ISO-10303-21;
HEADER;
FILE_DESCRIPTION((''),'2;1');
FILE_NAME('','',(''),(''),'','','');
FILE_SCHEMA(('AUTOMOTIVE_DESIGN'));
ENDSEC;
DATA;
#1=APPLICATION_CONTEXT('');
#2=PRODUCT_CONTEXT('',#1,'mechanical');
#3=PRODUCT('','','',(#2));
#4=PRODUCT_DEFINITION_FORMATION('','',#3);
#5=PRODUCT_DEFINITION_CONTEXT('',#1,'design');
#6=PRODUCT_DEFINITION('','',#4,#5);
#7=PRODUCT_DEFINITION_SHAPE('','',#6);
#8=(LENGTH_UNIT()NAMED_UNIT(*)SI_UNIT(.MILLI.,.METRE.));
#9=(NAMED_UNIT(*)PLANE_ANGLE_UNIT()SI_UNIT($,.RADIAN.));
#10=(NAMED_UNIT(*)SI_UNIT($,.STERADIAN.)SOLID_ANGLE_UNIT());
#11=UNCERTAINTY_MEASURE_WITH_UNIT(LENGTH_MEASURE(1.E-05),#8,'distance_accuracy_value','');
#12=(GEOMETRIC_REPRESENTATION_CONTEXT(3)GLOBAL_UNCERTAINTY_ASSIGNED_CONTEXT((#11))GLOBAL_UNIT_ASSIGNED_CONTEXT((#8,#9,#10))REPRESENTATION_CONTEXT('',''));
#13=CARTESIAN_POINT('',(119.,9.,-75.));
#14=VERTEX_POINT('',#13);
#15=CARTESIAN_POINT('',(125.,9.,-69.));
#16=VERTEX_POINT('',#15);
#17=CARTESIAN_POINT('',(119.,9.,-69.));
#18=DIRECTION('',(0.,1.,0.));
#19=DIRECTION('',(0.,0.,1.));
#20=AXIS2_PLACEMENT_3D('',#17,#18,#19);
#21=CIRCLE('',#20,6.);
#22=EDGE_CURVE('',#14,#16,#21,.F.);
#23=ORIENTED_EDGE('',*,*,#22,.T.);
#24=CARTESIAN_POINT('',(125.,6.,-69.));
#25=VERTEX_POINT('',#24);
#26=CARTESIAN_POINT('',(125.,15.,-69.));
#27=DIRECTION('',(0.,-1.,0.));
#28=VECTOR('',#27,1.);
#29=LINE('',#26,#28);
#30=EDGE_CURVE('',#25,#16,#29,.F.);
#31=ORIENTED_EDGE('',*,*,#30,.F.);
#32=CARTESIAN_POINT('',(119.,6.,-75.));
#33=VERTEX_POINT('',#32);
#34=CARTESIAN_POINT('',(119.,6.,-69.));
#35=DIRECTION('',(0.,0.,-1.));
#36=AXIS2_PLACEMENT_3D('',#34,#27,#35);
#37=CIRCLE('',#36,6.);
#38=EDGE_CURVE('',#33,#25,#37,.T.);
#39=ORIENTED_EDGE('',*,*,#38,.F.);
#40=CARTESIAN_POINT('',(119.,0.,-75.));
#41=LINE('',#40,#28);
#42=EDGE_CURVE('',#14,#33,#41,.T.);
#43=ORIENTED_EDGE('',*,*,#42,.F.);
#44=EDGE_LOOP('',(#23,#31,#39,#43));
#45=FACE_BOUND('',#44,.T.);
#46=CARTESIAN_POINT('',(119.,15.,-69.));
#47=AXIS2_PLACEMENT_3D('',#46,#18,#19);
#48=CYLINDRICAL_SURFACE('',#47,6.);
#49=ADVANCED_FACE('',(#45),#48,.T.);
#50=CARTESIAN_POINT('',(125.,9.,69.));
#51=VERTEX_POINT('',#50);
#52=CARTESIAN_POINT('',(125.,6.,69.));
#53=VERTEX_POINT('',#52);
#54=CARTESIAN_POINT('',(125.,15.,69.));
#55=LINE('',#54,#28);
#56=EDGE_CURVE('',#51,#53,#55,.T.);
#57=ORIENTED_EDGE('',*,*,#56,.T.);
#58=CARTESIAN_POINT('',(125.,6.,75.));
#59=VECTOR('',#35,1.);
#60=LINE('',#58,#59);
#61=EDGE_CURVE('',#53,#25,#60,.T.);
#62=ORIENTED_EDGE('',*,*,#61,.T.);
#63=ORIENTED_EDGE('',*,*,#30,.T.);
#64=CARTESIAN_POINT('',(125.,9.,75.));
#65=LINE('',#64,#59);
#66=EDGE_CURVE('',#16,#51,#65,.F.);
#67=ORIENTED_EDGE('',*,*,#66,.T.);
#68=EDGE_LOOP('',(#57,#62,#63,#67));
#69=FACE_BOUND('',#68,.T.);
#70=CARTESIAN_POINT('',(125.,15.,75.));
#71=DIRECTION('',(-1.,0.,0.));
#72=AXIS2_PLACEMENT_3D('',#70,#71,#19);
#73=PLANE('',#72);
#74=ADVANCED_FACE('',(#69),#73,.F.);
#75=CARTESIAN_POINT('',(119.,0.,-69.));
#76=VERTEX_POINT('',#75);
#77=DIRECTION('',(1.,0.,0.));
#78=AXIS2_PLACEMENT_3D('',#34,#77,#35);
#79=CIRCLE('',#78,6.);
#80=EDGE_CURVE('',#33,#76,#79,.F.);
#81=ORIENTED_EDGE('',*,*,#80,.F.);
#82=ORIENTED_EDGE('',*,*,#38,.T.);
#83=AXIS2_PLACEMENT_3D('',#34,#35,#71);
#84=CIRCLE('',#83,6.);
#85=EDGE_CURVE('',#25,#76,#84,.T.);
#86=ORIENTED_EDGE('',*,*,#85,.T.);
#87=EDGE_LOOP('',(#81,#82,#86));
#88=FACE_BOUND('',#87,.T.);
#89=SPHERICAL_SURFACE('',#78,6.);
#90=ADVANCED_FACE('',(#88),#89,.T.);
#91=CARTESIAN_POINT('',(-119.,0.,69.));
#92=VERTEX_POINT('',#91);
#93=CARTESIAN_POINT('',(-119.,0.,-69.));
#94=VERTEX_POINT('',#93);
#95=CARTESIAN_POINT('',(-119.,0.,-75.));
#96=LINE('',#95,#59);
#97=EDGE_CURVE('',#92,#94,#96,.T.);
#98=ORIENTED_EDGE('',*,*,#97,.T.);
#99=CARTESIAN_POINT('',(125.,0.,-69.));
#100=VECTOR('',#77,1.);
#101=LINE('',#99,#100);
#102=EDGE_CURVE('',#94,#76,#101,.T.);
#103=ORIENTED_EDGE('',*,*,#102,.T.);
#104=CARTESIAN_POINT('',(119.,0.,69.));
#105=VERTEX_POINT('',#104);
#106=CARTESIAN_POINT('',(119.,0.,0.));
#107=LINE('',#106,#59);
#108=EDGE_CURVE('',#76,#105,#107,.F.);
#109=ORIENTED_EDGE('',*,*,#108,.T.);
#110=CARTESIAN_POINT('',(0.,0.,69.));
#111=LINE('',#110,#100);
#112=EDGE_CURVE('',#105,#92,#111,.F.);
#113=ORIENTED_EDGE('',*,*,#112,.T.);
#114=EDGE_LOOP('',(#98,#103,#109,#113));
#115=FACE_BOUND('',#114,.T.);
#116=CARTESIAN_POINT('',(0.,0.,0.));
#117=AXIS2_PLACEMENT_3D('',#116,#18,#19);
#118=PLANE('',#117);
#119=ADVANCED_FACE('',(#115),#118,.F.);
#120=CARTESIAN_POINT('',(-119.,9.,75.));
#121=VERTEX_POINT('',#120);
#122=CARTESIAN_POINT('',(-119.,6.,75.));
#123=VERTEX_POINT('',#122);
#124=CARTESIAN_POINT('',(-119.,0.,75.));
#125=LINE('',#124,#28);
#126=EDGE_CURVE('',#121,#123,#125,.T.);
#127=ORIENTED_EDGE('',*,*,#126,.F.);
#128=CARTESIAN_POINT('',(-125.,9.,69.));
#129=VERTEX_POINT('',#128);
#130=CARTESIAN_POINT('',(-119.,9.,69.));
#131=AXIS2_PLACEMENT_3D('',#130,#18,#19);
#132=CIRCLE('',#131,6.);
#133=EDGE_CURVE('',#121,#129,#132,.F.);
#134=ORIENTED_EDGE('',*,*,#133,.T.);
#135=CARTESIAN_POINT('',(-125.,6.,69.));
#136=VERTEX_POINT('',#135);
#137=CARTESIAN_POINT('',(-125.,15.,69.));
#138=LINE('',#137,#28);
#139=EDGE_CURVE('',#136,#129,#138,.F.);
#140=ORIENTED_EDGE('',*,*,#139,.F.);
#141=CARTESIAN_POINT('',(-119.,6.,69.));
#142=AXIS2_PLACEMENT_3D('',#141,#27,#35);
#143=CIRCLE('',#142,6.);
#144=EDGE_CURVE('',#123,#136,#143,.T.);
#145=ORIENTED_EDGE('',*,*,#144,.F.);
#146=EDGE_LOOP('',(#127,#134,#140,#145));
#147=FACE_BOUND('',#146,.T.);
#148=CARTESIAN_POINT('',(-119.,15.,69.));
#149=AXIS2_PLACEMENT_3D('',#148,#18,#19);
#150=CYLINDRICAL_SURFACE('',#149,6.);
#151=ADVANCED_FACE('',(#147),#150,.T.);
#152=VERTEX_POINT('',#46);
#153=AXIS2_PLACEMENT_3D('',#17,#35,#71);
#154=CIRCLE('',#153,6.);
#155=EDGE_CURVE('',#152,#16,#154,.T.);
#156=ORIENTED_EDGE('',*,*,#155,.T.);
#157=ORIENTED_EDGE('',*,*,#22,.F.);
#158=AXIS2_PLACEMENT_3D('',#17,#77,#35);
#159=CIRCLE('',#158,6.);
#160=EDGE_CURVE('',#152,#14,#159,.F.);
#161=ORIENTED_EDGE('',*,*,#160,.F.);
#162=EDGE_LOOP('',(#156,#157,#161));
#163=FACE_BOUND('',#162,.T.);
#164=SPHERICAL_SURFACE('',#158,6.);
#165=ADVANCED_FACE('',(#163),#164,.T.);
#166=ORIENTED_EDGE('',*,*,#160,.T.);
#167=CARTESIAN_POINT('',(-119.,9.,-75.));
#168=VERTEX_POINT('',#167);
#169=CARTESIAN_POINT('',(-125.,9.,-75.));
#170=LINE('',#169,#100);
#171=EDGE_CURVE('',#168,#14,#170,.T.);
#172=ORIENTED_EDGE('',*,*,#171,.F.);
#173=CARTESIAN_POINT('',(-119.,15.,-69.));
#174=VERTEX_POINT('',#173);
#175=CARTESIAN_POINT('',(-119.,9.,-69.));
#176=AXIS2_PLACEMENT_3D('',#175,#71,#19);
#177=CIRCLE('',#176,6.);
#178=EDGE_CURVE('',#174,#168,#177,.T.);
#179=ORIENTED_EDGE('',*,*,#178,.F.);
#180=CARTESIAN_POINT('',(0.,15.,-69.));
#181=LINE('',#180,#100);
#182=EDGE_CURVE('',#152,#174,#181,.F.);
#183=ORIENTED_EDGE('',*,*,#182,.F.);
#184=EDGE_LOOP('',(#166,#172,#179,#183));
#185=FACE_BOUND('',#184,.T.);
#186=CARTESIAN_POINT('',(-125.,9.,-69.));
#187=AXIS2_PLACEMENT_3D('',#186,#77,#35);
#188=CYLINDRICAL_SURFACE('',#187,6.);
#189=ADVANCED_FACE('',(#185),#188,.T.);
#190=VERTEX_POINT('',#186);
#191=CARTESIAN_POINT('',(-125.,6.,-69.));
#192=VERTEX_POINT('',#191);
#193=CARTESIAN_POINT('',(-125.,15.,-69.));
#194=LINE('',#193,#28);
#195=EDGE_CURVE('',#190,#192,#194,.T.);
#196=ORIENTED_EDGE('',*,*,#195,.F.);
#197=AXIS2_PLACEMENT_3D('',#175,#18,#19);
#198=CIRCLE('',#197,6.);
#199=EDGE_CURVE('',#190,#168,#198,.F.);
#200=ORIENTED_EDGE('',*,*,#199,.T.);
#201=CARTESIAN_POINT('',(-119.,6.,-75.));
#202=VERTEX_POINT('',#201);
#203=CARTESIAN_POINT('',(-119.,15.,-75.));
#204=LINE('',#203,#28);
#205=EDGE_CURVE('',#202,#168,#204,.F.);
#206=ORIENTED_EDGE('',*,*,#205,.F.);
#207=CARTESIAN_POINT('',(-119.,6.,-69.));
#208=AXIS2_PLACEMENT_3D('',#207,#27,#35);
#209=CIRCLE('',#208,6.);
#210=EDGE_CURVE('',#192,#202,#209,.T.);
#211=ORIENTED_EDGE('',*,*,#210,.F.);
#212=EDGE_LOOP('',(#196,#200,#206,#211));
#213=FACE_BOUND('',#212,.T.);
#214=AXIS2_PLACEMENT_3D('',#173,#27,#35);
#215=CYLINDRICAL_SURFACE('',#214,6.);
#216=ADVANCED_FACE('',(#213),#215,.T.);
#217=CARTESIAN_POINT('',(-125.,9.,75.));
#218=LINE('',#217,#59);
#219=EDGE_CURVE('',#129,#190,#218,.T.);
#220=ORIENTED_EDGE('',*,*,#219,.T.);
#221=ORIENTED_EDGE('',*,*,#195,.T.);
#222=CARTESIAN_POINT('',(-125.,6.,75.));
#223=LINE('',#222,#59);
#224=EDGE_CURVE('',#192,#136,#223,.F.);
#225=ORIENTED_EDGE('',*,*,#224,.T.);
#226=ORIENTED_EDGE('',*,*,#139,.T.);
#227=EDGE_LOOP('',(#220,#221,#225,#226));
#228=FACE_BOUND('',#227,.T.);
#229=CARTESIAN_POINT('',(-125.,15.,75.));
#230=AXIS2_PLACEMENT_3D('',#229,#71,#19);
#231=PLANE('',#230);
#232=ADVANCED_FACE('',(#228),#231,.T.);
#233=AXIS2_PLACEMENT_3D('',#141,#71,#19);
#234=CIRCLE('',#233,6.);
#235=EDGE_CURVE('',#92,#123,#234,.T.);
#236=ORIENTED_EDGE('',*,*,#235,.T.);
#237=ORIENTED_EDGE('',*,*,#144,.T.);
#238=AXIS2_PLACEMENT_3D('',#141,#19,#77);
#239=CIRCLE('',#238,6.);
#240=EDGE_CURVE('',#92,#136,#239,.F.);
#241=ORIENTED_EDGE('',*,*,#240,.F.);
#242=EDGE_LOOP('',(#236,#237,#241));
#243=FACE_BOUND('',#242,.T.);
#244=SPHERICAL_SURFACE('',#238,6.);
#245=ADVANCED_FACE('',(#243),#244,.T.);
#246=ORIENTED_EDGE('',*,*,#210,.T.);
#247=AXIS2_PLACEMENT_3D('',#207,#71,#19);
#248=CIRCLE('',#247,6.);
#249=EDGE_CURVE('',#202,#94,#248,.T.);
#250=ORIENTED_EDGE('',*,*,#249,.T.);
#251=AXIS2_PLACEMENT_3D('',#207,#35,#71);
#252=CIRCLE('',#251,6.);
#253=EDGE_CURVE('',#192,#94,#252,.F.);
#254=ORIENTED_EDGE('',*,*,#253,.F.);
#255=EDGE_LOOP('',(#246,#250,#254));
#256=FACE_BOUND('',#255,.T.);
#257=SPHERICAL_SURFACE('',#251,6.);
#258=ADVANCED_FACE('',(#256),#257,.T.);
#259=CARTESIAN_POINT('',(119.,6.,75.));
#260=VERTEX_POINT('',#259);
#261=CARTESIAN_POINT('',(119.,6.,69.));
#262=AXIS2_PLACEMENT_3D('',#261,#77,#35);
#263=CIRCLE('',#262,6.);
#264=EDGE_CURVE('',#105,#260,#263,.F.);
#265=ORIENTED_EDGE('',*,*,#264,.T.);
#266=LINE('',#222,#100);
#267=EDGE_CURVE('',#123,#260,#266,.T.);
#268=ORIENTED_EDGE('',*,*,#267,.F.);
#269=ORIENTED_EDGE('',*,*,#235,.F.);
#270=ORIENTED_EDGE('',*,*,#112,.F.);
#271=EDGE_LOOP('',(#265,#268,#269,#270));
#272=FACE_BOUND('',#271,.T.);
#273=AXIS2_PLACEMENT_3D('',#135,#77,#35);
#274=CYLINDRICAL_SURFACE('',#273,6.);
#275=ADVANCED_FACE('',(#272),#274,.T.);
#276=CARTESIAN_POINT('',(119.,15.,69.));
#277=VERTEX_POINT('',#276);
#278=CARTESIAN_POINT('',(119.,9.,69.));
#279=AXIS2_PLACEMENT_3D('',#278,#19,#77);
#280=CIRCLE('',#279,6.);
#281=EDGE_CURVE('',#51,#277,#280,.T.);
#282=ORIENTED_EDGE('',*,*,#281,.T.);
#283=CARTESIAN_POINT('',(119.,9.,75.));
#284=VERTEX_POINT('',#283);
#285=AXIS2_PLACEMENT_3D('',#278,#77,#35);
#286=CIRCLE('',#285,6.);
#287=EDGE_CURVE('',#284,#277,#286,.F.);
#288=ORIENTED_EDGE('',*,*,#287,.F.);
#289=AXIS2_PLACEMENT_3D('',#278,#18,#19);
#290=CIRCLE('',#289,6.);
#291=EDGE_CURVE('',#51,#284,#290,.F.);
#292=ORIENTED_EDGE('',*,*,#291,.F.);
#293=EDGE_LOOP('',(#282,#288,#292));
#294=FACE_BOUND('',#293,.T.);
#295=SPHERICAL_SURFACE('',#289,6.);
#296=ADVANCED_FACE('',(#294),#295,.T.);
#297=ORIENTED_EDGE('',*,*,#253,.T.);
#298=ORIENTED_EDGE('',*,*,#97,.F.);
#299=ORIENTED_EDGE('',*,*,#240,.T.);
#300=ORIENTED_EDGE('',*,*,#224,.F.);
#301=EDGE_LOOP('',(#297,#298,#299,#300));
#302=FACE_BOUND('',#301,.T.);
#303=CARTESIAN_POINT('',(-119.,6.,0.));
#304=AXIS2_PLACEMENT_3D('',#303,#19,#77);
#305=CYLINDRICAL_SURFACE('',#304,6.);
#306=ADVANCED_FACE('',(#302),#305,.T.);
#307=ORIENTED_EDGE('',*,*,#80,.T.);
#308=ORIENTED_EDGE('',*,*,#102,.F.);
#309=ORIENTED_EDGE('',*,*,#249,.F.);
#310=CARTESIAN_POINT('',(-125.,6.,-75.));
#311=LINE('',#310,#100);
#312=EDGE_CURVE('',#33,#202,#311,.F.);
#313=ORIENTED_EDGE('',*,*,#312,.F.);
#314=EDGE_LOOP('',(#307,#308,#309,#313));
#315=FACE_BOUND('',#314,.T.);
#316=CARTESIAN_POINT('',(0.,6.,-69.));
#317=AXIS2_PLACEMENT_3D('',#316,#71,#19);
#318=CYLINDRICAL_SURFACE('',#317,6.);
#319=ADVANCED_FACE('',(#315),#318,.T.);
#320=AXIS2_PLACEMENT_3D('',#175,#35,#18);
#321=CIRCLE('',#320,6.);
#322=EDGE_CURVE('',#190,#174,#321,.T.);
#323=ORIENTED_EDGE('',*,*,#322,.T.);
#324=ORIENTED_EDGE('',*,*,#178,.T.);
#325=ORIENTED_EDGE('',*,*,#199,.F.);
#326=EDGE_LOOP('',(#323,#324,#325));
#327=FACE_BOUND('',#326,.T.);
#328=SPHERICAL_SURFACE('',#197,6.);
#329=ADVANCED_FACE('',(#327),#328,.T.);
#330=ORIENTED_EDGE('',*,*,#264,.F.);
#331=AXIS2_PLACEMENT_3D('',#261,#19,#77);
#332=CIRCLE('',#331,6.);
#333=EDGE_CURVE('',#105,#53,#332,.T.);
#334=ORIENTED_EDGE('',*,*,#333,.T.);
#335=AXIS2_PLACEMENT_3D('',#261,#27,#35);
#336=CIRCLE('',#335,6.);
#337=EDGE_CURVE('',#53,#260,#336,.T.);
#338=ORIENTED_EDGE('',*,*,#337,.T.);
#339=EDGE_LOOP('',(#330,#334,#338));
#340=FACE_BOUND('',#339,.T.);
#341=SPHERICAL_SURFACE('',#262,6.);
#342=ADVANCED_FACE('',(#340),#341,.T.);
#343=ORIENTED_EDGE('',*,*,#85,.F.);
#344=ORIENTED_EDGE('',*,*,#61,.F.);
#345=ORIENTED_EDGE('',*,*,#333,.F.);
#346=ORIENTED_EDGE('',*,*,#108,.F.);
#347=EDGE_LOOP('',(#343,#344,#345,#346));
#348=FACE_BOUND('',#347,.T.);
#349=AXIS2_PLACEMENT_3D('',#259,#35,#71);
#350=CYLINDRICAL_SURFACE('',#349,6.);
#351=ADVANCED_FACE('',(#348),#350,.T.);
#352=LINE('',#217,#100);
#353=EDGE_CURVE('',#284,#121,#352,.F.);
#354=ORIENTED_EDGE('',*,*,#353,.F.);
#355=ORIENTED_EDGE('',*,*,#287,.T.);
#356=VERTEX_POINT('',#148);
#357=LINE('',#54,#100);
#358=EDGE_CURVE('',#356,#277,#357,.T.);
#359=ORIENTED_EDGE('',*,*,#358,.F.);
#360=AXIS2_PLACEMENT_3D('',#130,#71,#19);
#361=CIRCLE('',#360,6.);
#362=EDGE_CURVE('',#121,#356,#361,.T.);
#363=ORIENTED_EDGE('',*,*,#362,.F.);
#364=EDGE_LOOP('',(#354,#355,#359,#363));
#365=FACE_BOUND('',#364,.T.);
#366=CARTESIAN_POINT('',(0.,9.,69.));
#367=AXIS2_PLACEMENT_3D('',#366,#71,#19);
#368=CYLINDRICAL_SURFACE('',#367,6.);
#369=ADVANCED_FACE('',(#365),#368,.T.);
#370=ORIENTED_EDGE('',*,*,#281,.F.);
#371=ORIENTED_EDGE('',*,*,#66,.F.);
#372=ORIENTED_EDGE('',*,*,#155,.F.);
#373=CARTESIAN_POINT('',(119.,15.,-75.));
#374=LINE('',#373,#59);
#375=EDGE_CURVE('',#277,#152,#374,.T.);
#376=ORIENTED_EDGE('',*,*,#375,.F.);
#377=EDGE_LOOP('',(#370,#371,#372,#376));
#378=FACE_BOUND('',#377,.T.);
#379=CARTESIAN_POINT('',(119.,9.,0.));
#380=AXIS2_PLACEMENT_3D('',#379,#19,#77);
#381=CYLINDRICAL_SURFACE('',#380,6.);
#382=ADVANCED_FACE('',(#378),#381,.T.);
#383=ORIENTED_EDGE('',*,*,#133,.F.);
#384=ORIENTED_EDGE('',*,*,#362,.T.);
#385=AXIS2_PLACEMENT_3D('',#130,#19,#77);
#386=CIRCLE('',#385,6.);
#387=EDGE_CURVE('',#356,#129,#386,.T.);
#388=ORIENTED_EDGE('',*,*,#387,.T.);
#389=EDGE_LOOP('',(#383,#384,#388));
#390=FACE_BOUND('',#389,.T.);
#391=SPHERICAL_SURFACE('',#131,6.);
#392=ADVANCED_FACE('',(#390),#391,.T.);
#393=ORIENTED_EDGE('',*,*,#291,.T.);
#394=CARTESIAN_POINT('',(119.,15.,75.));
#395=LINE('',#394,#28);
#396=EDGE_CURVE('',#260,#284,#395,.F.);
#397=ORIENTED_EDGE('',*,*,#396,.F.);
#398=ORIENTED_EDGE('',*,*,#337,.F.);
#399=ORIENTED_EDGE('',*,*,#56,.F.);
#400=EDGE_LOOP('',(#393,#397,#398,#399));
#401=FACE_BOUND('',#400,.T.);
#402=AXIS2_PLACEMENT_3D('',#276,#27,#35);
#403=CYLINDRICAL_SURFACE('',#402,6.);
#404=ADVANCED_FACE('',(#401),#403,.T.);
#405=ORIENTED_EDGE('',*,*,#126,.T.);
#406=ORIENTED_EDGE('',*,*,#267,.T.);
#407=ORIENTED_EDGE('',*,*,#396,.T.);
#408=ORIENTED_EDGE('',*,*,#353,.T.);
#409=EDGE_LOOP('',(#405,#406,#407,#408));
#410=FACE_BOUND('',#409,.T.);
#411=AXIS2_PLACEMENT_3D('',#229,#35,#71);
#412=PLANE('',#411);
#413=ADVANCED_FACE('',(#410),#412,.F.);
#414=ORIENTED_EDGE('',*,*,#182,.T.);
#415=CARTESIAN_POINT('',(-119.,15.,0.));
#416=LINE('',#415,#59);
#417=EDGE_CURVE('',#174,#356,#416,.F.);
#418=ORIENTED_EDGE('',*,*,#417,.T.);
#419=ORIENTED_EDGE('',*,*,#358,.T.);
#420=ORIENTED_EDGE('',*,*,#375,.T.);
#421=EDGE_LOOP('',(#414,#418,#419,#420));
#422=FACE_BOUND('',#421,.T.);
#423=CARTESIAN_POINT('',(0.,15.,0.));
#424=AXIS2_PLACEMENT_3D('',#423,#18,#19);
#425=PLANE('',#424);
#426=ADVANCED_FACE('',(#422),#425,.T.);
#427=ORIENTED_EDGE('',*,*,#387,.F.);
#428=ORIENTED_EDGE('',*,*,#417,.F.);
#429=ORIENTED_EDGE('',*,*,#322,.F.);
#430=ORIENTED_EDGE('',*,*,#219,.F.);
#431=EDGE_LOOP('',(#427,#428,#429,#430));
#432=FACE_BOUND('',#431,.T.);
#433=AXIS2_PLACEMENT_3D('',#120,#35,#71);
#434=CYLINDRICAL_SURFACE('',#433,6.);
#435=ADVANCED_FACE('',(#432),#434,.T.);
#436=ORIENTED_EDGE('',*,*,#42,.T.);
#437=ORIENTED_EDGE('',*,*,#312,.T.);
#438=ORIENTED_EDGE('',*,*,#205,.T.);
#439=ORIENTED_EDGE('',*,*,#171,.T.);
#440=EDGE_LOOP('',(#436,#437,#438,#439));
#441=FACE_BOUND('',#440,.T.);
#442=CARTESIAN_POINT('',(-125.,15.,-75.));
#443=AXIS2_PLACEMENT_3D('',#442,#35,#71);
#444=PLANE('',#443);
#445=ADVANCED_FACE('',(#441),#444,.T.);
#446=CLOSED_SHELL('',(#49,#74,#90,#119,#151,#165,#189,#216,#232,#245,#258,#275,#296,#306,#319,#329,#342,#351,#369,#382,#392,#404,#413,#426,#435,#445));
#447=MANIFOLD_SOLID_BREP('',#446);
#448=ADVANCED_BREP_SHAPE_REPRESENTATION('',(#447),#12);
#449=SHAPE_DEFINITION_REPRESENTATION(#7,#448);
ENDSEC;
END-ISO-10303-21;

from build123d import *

# Parameters (mm, degrees)
SKETCH1_W           = 250
SKETCH1_H           = 150
BOSS_EXTRUDE1_DEPTH = 15
FILLET1_R           = 6


with BuildPart() as part:
    # Sketch1 → Boss-Extrude1 (new body)
    with BuildSketch(Plane(origin=(0, 0, 0), x_dir=(1, 0, 0), z_dir=(0, 1, 0))):
        Rectangle(SKETCH1_W, SKETCH1_H)
    extrude(amount=BOSS_EXTRUDE1_DEPTH)

    # Fillet1
    fillet1_edges = [part.edges().sort_by_distance(p)[0] for p in [
        (0, 15, 75),
        (-125, 15, 0),
        (0, 15, -75),
        (-125, 0, 0),
        (0, 0, 75),
        (125, 0, 0),
        (0, 0, -75),
        (-125, 7.5, -75),
        (-125, 7.5, 75),
        (125, 7.5, 75),
        (125, 7.5, -75),
        (125, 15, 0),
    ]]
    fillet(fillet1_edges, radius=FILLET1_R)


solid = part.part
